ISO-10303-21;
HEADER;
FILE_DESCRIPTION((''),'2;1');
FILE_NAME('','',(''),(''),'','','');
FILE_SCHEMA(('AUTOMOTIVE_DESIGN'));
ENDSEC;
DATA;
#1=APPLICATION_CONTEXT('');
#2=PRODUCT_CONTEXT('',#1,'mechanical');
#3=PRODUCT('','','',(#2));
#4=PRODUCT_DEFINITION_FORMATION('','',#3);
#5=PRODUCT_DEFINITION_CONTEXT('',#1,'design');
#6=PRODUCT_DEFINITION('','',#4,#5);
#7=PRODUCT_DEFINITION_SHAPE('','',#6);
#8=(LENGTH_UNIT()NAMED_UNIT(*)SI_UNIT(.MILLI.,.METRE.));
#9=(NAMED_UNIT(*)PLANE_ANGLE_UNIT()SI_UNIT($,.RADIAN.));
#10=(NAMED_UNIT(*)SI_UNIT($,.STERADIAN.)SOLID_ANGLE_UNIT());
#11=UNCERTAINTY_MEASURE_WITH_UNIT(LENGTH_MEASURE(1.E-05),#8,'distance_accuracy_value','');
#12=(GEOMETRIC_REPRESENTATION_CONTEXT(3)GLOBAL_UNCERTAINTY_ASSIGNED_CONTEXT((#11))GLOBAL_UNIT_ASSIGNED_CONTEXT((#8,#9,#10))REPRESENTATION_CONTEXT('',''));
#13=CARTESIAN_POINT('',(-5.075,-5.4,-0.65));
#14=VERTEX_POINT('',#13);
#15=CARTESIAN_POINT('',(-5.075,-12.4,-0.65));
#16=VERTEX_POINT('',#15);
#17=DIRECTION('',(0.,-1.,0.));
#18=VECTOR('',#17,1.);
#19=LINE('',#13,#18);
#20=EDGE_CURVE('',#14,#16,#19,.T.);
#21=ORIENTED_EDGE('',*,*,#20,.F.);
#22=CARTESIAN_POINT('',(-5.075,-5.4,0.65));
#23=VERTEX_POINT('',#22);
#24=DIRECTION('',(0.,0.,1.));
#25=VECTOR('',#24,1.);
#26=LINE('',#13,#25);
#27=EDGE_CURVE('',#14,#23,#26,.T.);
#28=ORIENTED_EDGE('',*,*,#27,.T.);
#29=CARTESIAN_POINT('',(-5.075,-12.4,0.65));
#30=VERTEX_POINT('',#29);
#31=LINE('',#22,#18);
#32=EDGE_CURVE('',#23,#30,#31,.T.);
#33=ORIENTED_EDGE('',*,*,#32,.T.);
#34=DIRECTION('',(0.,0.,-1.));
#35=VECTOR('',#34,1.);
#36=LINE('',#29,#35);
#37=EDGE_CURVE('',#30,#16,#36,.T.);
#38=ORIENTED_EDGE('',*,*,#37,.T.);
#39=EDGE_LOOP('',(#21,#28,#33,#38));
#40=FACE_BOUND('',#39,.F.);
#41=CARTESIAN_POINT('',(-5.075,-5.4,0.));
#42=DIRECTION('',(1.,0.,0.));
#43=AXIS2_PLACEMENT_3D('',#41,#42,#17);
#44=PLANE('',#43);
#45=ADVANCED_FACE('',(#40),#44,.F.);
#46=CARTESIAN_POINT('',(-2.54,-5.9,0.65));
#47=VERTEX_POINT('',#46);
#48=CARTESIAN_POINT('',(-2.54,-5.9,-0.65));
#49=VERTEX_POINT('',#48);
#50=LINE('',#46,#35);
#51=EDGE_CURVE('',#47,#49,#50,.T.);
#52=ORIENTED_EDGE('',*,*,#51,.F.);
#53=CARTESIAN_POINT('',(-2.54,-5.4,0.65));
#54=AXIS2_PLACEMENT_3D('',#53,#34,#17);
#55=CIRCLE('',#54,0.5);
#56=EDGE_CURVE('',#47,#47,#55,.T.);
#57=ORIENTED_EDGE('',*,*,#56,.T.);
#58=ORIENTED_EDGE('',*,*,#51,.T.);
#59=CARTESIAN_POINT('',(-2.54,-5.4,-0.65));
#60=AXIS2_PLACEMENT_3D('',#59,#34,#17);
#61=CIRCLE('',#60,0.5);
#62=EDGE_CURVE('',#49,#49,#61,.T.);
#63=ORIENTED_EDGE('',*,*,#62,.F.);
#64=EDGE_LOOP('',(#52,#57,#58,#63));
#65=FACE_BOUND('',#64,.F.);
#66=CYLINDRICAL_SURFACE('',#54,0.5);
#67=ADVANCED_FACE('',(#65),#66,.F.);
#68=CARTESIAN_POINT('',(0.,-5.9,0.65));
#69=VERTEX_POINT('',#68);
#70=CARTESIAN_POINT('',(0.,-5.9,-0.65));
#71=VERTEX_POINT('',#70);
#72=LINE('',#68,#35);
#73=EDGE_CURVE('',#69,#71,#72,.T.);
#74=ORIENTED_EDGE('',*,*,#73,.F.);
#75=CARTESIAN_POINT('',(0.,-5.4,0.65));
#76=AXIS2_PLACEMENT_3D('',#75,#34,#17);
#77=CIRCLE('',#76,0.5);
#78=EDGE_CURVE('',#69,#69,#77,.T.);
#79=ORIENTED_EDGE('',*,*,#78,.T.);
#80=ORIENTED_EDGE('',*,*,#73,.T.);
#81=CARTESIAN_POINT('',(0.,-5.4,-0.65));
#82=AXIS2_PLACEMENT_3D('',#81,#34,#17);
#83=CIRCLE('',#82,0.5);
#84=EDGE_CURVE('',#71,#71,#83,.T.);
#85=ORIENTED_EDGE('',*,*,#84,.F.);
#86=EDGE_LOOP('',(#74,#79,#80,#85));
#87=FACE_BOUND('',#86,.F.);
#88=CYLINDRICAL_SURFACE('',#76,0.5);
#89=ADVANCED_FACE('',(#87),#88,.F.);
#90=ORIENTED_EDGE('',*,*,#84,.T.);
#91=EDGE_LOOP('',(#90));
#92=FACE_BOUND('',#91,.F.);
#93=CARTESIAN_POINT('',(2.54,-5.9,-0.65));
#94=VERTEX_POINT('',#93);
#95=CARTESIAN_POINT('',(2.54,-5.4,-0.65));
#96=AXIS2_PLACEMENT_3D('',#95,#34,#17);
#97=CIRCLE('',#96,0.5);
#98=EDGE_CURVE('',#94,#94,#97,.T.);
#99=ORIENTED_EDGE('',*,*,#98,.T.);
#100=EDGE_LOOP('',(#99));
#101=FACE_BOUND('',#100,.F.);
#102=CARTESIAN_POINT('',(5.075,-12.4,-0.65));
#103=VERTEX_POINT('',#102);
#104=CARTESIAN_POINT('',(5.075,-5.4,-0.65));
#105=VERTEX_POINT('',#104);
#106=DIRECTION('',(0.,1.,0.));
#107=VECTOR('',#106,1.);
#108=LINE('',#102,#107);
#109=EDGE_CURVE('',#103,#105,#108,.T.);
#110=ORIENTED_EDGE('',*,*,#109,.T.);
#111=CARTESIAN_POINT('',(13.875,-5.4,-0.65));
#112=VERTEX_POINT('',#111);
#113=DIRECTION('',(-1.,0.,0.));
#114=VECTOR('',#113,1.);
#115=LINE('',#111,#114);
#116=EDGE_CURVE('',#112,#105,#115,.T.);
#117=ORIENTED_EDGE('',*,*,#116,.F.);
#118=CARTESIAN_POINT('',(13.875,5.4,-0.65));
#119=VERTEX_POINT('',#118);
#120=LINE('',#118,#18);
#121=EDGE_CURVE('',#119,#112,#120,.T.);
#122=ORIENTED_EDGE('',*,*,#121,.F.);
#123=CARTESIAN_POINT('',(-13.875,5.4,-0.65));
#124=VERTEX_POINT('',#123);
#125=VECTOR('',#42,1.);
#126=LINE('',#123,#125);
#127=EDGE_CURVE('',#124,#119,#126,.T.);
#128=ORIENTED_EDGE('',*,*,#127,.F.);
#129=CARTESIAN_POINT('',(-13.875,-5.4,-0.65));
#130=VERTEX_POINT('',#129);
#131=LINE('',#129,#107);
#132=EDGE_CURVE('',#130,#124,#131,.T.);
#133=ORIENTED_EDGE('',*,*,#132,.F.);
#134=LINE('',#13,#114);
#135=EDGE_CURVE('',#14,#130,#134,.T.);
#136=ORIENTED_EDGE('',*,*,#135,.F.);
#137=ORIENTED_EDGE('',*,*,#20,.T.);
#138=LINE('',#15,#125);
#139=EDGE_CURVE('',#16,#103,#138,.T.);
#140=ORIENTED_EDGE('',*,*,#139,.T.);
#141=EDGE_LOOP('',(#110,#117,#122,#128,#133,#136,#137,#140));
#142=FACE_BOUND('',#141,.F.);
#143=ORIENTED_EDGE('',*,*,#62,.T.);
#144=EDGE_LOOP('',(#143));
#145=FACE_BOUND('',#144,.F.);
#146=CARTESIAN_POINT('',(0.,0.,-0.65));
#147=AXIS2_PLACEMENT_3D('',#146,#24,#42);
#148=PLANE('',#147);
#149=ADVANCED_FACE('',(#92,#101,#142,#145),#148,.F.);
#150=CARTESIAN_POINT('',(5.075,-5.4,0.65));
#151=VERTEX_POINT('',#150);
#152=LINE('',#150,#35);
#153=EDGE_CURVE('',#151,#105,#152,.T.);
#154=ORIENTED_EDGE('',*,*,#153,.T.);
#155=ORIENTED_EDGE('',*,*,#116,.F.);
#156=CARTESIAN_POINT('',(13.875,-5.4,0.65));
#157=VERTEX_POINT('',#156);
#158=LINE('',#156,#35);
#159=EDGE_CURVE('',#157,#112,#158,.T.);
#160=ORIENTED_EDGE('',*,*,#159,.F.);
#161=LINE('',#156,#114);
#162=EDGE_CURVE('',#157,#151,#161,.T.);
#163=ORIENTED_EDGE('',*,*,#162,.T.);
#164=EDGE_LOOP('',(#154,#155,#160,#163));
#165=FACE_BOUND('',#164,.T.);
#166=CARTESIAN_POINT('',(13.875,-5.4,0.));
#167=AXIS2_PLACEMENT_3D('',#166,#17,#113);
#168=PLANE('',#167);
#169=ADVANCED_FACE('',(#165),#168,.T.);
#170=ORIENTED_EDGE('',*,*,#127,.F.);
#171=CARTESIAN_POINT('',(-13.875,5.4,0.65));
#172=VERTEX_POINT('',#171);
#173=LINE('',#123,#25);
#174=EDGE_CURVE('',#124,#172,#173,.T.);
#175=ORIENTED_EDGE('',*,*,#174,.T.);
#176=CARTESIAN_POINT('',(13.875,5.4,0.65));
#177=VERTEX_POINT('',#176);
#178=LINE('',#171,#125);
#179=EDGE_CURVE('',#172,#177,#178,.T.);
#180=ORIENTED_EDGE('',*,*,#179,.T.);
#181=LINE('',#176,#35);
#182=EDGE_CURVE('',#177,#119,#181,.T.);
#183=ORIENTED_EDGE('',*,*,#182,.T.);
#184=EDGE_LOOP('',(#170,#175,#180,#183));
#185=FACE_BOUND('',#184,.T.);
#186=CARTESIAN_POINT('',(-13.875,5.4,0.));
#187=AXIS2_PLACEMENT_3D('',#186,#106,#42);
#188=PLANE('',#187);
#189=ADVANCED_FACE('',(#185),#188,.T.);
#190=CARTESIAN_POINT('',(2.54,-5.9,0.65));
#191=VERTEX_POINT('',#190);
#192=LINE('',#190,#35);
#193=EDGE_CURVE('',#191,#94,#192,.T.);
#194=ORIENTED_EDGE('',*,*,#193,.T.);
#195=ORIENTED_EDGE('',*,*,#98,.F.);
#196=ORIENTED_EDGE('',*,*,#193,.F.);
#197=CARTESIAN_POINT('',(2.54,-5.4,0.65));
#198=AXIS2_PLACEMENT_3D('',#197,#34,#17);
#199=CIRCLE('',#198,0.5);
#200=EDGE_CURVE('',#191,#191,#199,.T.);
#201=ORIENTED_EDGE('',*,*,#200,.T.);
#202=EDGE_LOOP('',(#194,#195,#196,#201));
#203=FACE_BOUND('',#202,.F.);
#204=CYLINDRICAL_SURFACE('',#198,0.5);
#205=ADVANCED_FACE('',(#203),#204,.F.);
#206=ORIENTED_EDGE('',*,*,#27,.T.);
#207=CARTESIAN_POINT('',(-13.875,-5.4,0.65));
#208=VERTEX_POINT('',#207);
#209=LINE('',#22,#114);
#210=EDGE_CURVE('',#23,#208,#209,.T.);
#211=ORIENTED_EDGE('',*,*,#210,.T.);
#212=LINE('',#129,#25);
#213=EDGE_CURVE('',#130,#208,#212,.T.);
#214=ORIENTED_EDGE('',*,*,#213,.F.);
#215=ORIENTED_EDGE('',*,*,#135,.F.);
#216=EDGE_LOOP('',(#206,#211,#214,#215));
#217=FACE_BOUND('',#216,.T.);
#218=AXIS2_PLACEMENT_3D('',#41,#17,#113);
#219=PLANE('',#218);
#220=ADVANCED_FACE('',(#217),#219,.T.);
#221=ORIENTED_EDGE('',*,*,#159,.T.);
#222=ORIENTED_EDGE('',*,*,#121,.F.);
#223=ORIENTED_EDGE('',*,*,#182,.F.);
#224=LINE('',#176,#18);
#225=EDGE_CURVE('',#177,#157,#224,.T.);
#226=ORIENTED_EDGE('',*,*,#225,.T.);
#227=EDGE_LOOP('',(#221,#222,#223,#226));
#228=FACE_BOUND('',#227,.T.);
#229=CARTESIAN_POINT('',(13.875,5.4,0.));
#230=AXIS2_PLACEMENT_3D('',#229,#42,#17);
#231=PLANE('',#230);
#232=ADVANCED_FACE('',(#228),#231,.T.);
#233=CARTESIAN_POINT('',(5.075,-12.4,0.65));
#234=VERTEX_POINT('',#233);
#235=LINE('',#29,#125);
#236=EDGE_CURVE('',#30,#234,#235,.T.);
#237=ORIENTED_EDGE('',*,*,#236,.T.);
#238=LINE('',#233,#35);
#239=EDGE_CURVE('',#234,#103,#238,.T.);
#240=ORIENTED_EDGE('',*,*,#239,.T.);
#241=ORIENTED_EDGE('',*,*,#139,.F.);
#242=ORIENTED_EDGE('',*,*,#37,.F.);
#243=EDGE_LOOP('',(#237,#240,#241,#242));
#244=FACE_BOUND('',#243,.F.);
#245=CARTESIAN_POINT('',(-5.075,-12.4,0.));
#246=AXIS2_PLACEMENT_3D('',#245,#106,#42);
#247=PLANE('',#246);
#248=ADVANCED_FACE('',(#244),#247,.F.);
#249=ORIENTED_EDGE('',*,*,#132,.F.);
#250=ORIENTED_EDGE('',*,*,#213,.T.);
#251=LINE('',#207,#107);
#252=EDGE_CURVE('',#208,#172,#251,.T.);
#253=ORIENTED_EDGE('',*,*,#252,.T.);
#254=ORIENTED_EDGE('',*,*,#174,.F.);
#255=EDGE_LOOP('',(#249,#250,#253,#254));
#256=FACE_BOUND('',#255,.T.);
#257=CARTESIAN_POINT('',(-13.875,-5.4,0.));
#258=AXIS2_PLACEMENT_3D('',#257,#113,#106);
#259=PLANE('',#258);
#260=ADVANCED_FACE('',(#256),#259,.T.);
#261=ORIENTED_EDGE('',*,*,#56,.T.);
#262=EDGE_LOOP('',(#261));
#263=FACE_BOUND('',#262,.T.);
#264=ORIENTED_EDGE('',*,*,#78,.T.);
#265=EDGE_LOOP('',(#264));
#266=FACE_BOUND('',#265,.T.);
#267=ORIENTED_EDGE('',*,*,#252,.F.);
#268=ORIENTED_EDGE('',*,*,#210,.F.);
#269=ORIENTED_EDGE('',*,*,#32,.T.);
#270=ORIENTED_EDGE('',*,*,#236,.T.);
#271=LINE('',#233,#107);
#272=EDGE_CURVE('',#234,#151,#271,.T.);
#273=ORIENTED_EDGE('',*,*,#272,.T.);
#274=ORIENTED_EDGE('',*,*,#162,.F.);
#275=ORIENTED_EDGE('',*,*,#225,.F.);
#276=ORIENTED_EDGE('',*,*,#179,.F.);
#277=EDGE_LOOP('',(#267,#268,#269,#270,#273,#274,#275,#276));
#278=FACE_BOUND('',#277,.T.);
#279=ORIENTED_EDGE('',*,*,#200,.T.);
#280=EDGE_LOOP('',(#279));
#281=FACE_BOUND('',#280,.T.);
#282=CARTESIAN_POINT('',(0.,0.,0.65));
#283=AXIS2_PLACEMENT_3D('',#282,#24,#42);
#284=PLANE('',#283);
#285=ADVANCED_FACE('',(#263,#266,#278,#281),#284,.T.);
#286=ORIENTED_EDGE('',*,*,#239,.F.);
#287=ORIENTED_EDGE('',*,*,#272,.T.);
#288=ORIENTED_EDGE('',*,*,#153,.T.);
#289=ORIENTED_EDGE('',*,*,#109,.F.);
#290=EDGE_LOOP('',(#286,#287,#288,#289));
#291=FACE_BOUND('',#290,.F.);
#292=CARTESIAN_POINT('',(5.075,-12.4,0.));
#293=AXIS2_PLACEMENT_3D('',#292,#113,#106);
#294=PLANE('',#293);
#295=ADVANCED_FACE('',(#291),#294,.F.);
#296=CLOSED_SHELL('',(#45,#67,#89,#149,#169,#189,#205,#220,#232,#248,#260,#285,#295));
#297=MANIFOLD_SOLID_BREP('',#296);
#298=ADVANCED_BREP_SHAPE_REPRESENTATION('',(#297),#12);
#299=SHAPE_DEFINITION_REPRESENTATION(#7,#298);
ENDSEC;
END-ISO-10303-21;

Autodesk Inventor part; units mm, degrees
ref_plane "YZ Plane" through (0, 0, 0) normal (1, 0, 0) x (0, 1, 0)
ref_plane "XZ Plane" through (0, 0, 0) normal (0, 1, 0) x (-1, 0, 0)
ref_plane "XY Plane" through (0, 0, 0) normal (0, 0, 1) x (1, 0, 0)
sketch "Sketch1" plane through (0, 0, 0) normal (0, 0, 1) x (1, 0, 0)
  line L0 (-13.875, 5.4) -> (13.875, 5.4)
  line L1 (13.875, 5.4) -> (13.875, -5.4)
  line L2 (-13.875, -5.4) -> (-13.875, 5.4)
  line L3 (0, 0) -> (0, -5.4) construction
  line L4 (0, 0) -> (13.875, 0) construction
  line L5 (0, 0) -> (-13.875, 0) construction
  line L6 (-5.075, -5.4) -> (-5.075, -12.4)
  line L7 (-5.075, -12.4) -> (5.075, -12.4)
  line L8 (5.075, -12.4) -> (5.075, -5.4)
  line L9 (13.875, -5.4) -> (5.075, -5.4)
  line L10 (-5.075, -5.4) -> (-13.875, -5.4)
  dimension "d0" = 27.75
  dimension "d1" = 10.8
  dimension "d2" = 10.15
  dimension "d3" = 7
extrude "Extrusion1" add sketch "Sketch1" along normal mid plane 1.3
sketch "Sketch2" plane through (0, 0, 0.65) normal (0, 0, 1) x (1, 0, 0)
  line L0 (-13.875, 5.4) -> (13.875, 5.4) projected
  line L1 (5.075, -12.4) -> (-5.075, -12.4) projected
  line L2 (-5.075, -5.4) -> (5.075, -5.4) construction
  line L3 (0, -12.4) -> (0, 5.4) construction
  point P0 (-2.54, -5.4)
  point P1 (0, -5.4)
  point P2 (2.54, -5.4)
  dimension "d6" = 2.54
  dimension "d7" = 2.54
hole "Hole1" at (-2.54, -5.4, 0.65) at (0, -5.4, 0.65) at (2.54, -5.4, 0.65) direction (0, 0, -1) diameter 1 end through all
properties part number "Sharp GP2Y0 Sensor PCB" material "Phenolic"
